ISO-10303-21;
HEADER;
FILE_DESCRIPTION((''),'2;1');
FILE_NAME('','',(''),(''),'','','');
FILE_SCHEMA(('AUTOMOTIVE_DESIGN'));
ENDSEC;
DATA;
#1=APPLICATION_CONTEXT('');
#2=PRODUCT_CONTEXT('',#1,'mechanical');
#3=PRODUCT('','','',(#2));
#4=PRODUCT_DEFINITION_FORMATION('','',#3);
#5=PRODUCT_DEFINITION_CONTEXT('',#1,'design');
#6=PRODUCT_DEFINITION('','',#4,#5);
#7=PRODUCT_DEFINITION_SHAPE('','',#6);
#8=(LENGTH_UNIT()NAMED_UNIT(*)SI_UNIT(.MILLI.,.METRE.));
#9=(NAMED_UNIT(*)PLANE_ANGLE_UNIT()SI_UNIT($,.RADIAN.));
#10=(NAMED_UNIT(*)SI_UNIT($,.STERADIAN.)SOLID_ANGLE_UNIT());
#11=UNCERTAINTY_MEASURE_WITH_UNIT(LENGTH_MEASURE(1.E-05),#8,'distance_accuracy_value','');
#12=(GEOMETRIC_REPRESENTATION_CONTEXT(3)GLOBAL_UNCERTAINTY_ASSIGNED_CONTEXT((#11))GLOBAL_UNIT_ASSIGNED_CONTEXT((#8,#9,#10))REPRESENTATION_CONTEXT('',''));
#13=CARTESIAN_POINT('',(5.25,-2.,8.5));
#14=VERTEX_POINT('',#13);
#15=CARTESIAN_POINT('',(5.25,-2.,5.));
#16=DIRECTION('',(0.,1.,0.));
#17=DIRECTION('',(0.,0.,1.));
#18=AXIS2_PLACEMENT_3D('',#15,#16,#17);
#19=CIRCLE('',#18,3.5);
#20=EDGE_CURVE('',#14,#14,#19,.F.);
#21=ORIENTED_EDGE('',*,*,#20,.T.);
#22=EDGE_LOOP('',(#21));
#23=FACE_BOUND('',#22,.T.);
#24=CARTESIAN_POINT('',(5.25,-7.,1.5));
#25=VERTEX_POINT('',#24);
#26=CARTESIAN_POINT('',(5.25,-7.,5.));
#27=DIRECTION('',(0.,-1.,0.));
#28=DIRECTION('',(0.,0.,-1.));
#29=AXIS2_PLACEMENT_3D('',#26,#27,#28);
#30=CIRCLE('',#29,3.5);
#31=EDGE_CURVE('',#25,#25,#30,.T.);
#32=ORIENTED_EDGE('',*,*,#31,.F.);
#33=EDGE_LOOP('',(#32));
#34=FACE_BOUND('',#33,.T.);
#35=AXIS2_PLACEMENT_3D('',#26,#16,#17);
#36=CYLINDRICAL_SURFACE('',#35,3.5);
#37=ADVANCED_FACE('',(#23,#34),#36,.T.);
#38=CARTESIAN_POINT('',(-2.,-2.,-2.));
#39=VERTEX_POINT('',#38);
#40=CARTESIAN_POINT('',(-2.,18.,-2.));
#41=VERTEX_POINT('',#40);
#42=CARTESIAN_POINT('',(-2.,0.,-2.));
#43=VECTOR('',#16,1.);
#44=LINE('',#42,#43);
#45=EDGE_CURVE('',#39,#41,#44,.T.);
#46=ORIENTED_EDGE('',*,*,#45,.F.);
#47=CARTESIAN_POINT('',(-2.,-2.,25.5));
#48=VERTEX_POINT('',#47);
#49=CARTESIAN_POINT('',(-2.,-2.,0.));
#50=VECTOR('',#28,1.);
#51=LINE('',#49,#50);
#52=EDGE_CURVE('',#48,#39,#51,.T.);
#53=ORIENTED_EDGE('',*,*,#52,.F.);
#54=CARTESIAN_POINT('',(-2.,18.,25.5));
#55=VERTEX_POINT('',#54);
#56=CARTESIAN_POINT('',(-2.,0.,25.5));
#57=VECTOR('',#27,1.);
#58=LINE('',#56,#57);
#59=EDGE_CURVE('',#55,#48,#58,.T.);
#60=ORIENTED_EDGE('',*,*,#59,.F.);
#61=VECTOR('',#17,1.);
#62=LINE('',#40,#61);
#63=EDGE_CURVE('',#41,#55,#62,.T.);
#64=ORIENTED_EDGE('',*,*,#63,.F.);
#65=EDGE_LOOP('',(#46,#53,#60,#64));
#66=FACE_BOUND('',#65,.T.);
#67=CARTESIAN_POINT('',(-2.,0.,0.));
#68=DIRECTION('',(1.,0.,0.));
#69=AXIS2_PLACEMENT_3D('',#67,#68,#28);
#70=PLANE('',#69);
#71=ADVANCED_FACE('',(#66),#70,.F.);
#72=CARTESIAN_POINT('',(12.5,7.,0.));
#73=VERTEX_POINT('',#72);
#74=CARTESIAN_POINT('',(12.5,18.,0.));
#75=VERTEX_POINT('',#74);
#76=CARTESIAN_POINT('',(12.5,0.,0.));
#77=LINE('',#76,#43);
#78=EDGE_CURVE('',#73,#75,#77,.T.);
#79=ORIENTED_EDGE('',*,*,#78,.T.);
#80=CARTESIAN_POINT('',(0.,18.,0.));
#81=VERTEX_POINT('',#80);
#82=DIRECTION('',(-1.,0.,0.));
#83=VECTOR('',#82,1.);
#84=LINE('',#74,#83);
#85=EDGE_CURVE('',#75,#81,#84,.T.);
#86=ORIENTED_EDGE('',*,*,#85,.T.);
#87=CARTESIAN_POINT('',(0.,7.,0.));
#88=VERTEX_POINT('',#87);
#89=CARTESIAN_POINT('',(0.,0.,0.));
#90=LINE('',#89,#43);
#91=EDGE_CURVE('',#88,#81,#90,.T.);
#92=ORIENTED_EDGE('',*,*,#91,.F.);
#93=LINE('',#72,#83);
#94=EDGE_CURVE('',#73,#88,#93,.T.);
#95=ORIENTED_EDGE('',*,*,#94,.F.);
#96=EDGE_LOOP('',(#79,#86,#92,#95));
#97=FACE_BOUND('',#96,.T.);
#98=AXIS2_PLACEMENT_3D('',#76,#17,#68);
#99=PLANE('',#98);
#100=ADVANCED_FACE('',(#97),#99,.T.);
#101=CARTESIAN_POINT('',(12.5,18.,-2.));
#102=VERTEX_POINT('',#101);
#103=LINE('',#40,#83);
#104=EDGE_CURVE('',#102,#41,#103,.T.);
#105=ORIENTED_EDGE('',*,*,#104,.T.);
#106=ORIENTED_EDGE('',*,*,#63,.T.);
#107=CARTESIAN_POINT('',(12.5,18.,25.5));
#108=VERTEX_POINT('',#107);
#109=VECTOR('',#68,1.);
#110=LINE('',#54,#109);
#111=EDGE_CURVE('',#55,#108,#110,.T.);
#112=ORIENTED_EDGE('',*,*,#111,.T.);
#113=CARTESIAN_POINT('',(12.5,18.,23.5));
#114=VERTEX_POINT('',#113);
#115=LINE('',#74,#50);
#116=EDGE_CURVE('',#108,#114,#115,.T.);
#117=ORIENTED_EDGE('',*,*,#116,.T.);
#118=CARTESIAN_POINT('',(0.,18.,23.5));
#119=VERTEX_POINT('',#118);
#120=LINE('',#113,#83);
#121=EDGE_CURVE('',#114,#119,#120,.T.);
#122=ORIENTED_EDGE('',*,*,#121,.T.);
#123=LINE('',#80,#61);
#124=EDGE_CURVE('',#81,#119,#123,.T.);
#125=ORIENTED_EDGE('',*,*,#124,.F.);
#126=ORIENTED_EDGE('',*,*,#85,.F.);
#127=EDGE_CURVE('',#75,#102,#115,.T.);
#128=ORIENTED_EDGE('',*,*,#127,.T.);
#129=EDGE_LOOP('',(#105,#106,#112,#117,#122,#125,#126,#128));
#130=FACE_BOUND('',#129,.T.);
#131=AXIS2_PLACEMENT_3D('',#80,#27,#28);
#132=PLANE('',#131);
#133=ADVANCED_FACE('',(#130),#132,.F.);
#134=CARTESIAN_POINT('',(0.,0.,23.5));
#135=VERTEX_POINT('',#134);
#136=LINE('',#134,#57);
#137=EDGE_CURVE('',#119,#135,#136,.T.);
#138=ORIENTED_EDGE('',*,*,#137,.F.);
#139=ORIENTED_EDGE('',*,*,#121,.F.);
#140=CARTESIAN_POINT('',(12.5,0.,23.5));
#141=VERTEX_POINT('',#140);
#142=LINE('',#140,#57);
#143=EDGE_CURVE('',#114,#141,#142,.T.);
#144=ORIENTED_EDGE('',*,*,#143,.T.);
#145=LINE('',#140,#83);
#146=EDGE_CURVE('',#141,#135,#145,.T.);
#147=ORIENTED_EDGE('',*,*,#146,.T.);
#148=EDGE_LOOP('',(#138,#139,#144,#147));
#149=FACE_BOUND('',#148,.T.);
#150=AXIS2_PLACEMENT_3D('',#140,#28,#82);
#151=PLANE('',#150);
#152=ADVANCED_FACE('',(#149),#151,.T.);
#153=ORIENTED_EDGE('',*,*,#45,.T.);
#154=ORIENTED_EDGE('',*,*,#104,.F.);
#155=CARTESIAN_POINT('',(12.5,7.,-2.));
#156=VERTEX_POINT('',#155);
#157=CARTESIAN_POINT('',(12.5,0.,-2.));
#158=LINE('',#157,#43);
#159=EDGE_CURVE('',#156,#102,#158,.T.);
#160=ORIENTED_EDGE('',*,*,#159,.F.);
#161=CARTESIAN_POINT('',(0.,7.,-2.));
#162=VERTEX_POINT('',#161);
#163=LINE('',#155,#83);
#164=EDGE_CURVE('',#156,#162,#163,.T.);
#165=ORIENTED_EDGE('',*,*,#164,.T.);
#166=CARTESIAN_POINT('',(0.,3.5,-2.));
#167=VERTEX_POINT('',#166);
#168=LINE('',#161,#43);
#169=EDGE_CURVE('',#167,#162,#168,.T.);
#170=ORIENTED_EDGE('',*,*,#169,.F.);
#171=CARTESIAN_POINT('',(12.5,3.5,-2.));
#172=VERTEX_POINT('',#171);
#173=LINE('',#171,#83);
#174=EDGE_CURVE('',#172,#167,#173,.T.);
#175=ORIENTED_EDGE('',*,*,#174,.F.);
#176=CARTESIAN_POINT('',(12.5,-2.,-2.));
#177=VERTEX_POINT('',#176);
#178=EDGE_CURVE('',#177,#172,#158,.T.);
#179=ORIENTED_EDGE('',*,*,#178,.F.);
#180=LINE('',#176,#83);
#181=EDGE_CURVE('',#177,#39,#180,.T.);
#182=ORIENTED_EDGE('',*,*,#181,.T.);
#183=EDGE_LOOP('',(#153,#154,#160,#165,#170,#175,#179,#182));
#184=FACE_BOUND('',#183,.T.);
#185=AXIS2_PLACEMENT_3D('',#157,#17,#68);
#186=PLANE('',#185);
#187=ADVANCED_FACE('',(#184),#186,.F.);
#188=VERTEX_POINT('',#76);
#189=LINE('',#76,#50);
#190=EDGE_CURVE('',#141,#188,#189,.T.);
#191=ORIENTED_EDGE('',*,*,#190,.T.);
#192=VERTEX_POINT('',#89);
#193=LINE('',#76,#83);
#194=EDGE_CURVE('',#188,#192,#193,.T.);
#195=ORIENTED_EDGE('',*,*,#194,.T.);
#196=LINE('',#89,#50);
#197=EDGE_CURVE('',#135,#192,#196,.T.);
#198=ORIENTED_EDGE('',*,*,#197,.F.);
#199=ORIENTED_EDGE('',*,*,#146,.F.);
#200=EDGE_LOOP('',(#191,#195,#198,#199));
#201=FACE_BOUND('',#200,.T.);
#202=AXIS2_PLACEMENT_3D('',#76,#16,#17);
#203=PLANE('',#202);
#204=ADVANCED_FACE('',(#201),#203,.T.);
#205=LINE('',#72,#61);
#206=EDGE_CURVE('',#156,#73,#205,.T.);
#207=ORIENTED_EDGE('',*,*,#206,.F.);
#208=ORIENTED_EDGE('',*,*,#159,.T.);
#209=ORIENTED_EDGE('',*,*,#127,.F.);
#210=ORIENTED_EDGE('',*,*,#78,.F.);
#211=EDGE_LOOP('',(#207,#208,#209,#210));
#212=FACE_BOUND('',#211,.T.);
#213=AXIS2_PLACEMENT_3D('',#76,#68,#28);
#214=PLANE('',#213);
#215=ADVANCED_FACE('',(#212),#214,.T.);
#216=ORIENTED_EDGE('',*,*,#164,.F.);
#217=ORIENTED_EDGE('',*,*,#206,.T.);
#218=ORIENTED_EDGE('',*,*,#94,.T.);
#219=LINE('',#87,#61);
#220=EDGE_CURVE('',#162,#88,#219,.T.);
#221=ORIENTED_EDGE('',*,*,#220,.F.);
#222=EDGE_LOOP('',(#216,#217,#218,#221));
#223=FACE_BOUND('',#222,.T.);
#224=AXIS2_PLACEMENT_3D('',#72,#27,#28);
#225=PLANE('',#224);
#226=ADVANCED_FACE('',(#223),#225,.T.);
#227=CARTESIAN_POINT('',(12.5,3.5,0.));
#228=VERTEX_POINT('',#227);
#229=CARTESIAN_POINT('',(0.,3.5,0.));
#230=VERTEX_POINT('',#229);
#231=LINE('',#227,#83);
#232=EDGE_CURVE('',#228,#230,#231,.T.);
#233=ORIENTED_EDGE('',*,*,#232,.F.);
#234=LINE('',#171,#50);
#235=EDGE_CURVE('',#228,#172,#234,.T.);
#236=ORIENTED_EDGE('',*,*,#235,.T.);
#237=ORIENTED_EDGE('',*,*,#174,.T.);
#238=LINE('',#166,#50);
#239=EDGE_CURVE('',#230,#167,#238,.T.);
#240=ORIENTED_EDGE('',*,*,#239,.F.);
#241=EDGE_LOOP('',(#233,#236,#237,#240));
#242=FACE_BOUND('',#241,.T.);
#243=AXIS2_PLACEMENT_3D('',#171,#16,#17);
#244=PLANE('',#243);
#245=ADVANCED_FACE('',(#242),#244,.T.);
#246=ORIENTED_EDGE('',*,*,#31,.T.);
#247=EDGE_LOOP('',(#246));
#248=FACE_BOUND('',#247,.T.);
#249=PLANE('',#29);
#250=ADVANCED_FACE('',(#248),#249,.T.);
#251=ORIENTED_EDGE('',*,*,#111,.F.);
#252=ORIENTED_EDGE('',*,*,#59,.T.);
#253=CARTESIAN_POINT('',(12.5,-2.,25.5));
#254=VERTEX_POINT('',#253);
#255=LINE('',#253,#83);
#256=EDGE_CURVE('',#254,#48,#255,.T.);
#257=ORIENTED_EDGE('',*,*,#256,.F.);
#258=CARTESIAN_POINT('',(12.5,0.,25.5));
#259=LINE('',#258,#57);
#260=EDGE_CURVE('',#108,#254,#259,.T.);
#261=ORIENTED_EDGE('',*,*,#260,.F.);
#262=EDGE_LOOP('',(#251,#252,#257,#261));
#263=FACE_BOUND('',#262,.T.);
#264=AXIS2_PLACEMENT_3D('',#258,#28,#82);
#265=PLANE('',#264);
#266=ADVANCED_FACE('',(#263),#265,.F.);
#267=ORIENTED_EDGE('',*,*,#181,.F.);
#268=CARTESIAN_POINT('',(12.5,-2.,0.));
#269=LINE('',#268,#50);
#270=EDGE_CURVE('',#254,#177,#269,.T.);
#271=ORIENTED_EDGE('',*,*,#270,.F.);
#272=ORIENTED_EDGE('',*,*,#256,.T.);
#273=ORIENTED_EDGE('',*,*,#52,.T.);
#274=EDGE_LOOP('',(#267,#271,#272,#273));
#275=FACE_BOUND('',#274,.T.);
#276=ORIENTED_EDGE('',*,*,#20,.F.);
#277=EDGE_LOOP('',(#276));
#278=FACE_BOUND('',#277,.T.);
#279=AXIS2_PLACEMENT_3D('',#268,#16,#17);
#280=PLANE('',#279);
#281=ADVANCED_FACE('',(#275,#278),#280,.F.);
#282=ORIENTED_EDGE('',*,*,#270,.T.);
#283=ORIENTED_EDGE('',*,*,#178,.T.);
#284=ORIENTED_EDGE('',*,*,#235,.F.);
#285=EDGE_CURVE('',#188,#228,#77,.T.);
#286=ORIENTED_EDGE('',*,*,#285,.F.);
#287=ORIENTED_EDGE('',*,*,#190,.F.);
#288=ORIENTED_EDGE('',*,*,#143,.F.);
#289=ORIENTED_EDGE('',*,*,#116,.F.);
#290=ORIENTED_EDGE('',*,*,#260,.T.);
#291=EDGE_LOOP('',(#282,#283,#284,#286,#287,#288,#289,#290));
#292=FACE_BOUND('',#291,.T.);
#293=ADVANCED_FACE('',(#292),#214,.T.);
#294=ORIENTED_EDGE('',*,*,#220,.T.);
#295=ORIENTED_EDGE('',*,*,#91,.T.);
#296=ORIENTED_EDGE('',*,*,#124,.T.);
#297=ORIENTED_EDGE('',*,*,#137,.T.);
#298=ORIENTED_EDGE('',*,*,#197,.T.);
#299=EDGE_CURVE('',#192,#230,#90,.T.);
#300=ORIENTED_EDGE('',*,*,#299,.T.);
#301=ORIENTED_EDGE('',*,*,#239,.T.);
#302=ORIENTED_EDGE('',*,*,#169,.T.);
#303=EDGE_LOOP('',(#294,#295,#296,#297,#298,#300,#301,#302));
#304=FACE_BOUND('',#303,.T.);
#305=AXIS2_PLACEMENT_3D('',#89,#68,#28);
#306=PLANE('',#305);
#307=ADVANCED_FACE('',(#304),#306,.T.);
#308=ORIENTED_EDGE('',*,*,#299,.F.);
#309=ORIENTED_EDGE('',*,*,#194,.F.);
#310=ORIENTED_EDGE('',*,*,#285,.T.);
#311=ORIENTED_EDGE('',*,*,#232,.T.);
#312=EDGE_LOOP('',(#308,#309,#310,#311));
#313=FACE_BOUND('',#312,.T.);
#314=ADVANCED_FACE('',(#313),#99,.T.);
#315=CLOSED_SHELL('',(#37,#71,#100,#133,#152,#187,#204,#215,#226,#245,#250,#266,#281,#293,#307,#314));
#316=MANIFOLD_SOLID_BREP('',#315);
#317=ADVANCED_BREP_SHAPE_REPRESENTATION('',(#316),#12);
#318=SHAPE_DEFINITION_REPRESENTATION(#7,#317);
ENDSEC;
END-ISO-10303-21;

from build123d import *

# Parameters (mm, degrees)
SKETCH_2_W          = 23.5
SKETCH_2_H          = 18
EXTRUDE_1_DEPTH     = 12.5
SHELL_7_T           = 2
SKETCH_4_W          = 2
SKETCH_4_H          = 3.5
CUT_EXTRUDE_3_DEPTH = 35.734708866
SKETCH_8_W          = 14.567673111
SKETCH_8_H          = 27.5
CUT_EXTRUDE_5_DEPTH = 2
SKETCH_7_R          = 3.5
EXTRUDE_2_DEPTH     = 5


with BuildPart() as part:
    # Эскиз2 → Бобышка-Вытянуть1 (new body)
    with BuildSketch(Plane(origin=(0, 0, 0), x_dir=(0, 0, -1), z_dir=(1, 0, 0))):
        with Locations((-11.75, 9)):
            Rectangle(SKETCH_2_W, SKETCH_2_H)
    extrude(amount=EXTRUDE_1_DEPTH)

    # Оболочка7
    shell_7_openings = [part.faces().sort_by_distance(p)[0] for p in [
        (12.5, 9, 11.75),
    ]]
    offset(amount=SHELL_7_T, openings=shell_7_openings, kind=Kind.INTERSECTION)

    # Эскиз4 → Вырез-Вытянуть3 (cut, through all)
    with BuildSketch(Plane(origin=(0, 0, 0), x_dir=(0, 0, -1), z_dir=(1, 0, 0))):
        with Locations((1, 5.25)):
            Rectangle(SKETCH_4_W, SKETCH_4_H)
    extrude(amount=CUT_EXTRUDE_3_DEPTH, mode=Mode.SUBTRACT)

    # Эскиз8 → Вырез-Вытянуть5 (cut)
    with BuildSketch(Plane(origin=(0, 20, 0), x_dir=(1, 0, 0), z_dir=(0, 1, 0))):
        with Locations((5.283836556, -11.75)):
            Rectangle(SKETCH_8_W, SKETCH_8_H)
    extrude(amount=-CUT_EXTRUDE_5_DEPTH, mode=Mode.SUBTRACT)

    # Эскиз7 → Бобышка-Вытянуть2 (add)
    with BuildSketch(Plane.XZ.offset(2)):
        with Locations(Location((5.25, 5, 0), (0, 0, 90))):
            Circle(SKETCH_7_R)
    extrude(amount=EXTRUDE_2_DEPTH)


solid = part.part
